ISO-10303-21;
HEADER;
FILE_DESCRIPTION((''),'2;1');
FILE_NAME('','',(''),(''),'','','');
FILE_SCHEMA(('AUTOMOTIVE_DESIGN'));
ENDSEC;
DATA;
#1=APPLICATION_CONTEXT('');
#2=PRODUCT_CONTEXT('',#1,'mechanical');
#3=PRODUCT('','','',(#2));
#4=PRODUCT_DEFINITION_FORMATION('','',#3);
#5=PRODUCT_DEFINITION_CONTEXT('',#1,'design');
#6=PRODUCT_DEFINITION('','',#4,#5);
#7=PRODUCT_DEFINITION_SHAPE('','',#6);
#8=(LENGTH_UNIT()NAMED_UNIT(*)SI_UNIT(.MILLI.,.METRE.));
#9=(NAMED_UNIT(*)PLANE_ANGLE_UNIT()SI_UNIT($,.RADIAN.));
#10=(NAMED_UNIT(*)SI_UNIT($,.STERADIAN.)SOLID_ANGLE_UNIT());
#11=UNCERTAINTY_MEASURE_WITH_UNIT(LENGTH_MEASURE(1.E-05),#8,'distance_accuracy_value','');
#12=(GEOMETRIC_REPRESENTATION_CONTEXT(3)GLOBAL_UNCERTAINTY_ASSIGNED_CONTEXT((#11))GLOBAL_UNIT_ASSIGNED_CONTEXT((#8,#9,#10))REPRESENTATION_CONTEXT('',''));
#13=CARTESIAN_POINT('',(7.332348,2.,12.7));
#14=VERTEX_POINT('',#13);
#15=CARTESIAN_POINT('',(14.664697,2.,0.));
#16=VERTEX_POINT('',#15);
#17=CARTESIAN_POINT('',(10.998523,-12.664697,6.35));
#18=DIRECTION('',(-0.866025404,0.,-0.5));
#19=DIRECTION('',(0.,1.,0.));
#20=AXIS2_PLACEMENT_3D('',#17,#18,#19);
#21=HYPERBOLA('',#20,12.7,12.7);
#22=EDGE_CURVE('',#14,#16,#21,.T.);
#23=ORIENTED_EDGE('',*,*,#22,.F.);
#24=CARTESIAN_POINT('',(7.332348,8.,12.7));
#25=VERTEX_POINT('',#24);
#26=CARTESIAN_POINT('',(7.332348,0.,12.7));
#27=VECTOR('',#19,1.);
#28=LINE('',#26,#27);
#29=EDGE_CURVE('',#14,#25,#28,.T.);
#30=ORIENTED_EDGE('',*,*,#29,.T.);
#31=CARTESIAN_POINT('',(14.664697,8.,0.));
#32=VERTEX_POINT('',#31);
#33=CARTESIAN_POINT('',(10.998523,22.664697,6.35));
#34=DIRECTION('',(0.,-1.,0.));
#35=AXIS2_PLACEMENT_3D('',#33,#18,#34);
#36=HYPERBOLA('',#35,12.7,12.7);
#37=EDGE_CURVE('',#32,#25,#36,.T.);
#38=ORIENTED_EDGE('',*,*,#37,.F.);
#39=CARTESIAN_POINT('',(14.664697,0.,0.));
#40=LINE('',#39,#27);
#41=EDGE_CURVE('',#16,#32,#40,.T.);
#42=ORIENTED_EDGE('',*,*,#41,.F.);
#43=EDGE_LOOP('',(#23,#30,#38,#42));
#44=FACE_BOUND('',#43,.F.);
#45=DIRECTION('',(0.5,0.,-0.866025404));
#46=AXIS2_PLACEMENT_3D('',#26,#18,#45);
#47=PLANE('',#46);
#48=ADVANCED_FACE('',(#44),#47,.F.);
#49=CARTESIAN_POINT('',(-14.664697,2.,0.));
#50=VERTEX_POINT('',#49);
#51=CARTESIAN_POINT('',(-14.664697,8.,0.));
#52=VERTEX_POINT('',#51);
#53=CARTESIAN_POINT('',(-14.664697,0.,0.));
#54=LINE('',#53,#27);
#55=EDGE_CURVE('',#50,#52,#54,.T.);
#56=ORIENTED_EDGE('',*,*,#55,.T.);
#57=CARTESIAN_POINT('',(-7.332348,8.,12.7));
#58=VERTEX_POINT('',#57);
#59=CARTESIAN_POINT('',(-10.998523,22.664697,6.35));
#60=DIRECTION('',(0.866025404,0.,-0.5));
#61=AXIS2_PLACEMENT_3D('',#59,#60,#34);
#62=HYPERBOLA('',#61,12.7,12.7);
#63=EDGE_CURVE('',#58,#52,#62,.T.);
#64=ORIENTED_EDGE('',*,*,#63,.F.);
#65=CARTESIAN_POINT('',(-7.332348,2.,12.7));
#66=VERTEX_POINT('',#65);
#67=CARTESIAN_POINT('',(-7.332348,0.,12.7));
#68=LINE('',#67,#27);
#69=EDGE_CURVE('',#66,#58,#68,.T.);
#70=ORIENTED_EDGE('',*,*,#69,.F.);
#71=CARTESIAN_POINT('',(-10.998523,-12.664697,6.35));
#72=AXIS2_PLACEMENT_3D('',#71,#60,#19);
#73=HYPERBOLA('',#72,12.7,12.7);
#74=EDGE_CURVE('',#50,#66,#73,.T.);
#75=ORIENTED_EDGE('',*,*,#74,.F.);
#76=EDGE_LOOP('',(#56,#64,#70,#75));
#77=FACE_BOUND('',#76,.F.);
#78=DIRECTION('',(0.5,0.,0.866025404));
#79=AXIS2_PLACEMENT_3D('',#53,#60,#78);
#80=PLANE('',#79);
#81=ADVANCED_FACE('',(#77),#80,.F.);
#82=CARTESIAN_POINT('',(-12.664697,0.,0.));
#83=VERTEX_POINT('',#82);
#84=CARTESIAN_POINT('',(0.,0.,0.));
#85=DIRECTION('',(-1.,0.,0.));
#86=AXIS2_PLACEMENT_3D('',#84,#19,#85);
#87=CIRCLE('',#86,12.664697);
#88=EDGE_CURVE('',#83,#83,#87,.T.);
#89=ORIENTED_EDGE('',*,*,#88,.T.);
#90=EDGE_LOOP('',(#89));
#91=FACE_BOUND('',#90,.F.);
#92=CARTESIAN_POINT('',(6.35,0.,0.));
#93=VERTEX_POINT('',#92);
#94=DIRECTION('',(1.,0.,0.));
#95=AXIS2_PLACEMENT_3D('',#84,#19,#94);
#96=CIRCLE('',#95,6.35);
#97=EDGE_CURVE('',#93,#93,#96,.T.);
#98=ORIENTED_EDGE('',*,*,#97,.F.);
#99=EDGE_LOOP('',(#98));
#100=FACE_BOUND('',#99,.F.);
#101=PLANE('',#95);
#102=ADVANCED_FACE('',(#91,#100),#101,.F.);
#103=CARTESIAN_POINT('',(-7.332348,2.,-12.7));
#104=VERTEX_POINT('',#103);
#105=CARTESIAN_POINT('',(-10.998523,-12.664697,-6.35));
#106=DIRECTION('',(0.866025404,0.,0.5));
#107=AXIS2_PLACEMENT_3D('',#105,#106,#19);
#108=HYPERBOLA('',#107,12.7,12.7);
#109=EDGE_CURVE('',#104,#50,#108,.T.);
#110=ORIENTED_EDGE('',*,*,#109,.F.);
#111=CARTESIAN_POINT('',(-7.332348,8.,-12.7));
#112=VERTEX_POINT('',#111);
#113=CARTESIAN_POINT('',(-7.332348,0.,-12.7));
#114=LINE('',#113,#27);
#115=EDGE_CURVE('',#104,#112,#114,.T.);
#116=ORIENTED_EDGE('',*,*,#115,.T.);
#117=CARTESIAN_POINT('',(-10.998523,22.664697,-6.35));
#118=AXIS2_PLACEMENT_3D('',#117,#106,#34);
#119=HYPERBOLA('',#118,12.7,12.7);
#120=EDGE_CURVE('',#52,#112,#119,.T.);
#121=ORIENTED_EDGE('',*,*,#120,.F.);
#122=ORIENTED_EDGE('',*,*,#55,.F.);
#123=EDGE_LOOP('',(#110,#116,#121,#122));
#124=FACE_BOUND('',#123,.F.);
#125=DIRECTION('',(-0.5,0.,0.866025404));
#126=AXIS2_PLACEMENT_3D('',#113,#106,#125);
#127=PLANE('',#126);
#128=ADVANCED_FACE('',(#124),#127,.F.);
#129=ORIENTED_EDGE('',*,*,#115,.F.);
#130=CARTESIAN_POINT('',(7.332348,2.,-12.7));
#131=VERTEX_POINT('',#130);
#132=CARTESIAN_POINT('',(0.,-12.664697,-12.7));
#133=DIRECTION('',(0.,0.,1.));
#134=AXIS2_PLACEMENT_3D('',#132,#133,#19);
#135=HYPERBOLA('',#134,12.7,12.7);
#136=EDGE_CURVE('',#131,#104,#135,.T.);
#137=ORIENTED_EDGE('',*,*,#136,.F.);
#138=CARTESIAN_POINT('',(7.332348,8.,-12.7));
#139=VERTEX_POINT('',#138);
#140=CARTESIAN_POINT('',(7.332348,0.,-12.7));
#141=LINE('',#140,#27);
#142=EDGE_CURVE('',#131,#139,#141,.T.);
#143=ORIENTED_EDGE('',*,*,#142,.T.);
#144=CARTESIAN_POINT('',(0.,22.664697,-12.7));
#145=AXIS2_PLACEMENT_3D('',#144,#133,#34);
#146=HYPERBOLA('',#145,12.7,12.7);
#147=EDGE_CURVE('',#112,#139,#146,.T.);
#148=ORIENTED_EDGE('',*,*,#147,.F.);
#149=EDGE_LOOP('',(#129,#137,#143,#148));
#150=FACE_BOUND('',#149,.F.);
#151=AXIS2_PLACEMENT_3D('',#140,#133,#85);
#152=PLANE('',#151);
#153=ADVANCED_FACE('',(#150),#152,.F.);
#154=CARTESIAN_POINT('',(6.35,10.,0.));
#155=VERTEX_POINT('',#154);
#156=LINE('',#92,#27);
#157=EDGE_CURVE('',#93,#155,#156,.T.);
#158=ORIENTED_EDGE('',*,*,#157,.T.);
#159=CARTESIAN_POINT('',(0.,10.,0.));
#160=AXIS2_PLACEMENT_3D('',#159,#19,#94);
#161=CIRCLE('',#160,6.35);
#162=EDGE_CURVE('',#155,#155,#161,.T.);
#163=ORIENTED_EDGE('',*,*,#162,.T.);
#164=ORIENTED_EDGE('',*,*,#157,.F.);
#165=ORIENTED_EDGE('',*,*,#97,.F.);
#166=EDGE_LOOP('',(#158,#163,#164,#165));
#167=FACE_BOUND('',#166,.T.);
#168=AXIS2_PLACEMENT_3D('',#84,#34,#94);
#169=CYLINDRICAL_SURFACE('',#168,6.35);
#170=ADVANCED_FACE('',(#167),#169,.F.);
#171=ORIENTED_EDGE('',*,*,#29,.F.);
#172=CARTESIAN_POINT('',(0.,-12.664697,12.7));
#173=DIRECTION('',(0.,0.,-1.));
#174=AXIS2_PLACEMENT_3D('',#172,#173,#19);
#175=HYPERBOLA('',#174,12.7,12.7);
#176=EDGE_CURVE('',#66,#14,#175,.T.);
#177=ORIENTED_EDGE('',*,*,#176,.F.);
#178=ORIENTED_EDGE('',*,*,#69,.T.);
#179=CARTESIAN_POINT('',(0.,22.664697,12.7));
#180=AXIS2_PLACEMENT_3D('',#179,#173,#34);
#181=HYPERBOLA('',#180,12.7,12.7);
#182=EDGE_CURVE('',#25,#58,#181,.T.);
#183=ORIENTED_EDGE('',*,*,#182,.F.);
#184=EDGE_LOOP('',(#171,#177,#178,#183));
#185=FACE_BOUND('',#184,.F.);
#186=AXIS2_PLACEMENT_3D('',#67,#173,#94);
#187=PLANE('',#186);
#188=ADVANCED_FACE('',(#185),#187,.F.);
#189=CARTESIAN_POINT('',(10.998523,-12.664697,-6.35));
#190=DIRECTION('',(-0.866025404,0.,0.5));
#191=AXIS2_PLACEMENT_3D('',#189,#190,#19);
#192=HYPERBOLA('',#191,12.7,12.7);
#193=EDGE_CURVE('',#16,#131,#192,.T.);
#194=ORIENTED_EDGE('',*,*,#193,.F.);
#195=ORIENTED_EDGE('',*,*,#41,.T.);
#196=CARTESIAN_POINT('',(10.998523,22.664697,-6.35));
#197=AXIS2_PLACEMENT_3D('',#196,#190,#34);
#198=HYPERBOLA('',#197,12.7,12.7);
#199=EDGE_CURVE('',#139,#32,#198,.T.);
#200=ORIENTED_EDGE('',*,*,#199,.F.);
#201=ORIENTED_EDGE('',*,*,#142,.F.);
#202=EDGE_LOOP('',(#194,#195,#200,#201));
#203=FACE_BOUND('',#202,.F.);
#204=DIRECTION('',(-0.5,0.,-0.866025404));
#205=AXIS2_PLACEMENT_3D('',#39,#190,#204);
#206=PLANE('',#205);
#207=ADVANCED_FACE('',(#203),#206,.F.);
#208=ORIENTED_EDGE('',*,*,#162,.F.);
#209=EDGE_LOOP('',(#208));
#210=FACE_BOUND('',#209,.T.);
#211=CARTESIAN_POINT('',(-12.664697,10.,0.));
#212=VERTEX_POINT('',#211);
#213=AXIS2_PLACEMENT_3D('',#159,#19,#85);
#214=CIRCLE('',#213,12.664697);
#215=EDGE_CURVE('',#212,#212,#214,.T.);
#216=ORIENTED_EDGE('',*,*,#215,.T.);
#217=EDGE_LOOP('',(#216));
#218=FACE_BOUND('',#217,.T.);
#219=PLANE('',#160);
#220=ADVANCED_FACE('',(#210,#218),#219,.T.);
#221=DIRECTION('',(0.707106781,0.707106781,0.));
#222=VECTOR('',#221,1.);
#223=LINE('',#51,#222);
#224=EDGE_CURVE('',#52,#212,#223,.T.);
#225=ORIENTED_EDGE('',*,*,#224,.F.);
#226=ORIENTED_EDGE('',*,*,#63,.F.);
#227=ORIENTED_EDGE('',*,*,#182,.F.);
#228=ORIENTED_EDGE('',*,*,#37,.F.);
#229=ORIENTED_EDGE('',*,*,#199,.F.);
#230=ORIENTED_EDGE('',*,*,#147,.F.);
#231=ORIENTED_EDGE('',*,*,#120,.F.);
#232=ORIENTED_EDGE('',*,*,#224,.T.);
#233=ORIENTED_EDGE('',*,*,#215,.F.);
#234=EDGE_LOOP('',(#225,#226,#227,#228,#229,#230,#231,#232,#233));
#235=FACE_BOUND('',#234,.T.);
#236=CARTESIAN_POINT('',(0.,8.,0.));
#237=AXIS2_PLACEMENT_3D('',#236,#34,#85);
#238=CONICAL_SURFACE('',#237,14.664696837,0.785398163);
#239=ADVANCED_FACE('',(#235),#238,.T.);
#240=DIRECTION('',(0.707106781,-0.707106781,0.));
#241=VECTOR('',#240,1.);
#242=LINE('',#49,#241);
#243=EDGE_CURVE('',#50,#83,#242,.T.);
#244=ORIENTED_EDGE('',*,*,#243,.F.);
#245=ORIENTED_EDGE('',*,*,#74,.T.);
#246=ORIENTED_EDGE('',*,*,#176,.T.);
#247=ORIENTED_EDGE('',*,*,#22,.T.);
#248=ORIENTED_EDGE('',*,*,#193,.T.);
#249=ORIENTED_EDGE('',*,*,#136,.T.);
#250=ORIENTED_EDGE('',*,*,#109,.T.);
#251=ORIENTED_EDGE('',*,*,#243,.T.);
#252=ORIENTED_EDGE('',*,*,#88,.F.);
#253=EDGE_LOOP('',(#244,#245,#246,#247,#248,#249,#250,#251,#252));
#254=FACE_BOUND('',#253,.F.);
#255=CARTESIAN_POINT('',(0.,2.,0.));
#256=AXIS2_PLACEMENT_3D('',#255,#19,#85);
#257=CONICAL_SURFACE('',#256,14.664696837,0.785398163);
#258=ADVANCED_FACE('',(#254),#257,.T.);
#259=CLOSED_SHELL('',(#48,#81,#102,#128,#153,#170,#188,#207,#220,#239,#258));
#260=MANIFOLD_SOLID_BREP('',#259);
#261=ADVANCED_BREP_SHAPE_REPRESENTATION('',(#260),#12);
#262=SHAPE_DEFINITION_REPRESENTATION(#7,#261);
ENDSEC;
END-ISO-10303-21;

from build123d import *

# Parameters (mm, degrees)
CROQUIS1_R              = 6.35
SALIENTE_EXTRUIR1_DEPTH = 10


with BuildPart() as part:
    # Croquis1 → Saliente-Extruir1 (new body)
    with BuildSketch(Plane(origin=(0, 0, 0), x_dir=(1, 0, 0), z_dir=(0, 1, 0))):
        Polygon((-7.332348419, -12.7), (7.332348419, -12.7), (14.664696837, 0), (7.332348419, 12.7), (-7.332348419, 12.7), (-14.664696837, 0), align=None)
        Circle(CROQUIS1_R, mode=Mode.SUBTRACT)
    extrude(amount=SALIENTE_EXTRUIR1_DEPTH)

    # Croquis2 → Cortar-Revolución1 (revolve, cut)
    with BuildSketch(Plane.XY):
        Polygon((-14.664696837, 8), (-12.664696837, 10), (-14.664696837, 10), align=None)
    cortar_revoluci_n1 = revolve(axis=Axis((0, 0, 0), (0, 1, 0)), mode=Mode.SUBTRACT)

    # Simetría1: Cortar-Revolución1 across plane
    add(cortar_revoluci_n1.mirror(Plane.ZX.offset(5)), mode=Mode.SUBTRACT)


solid = part.part
